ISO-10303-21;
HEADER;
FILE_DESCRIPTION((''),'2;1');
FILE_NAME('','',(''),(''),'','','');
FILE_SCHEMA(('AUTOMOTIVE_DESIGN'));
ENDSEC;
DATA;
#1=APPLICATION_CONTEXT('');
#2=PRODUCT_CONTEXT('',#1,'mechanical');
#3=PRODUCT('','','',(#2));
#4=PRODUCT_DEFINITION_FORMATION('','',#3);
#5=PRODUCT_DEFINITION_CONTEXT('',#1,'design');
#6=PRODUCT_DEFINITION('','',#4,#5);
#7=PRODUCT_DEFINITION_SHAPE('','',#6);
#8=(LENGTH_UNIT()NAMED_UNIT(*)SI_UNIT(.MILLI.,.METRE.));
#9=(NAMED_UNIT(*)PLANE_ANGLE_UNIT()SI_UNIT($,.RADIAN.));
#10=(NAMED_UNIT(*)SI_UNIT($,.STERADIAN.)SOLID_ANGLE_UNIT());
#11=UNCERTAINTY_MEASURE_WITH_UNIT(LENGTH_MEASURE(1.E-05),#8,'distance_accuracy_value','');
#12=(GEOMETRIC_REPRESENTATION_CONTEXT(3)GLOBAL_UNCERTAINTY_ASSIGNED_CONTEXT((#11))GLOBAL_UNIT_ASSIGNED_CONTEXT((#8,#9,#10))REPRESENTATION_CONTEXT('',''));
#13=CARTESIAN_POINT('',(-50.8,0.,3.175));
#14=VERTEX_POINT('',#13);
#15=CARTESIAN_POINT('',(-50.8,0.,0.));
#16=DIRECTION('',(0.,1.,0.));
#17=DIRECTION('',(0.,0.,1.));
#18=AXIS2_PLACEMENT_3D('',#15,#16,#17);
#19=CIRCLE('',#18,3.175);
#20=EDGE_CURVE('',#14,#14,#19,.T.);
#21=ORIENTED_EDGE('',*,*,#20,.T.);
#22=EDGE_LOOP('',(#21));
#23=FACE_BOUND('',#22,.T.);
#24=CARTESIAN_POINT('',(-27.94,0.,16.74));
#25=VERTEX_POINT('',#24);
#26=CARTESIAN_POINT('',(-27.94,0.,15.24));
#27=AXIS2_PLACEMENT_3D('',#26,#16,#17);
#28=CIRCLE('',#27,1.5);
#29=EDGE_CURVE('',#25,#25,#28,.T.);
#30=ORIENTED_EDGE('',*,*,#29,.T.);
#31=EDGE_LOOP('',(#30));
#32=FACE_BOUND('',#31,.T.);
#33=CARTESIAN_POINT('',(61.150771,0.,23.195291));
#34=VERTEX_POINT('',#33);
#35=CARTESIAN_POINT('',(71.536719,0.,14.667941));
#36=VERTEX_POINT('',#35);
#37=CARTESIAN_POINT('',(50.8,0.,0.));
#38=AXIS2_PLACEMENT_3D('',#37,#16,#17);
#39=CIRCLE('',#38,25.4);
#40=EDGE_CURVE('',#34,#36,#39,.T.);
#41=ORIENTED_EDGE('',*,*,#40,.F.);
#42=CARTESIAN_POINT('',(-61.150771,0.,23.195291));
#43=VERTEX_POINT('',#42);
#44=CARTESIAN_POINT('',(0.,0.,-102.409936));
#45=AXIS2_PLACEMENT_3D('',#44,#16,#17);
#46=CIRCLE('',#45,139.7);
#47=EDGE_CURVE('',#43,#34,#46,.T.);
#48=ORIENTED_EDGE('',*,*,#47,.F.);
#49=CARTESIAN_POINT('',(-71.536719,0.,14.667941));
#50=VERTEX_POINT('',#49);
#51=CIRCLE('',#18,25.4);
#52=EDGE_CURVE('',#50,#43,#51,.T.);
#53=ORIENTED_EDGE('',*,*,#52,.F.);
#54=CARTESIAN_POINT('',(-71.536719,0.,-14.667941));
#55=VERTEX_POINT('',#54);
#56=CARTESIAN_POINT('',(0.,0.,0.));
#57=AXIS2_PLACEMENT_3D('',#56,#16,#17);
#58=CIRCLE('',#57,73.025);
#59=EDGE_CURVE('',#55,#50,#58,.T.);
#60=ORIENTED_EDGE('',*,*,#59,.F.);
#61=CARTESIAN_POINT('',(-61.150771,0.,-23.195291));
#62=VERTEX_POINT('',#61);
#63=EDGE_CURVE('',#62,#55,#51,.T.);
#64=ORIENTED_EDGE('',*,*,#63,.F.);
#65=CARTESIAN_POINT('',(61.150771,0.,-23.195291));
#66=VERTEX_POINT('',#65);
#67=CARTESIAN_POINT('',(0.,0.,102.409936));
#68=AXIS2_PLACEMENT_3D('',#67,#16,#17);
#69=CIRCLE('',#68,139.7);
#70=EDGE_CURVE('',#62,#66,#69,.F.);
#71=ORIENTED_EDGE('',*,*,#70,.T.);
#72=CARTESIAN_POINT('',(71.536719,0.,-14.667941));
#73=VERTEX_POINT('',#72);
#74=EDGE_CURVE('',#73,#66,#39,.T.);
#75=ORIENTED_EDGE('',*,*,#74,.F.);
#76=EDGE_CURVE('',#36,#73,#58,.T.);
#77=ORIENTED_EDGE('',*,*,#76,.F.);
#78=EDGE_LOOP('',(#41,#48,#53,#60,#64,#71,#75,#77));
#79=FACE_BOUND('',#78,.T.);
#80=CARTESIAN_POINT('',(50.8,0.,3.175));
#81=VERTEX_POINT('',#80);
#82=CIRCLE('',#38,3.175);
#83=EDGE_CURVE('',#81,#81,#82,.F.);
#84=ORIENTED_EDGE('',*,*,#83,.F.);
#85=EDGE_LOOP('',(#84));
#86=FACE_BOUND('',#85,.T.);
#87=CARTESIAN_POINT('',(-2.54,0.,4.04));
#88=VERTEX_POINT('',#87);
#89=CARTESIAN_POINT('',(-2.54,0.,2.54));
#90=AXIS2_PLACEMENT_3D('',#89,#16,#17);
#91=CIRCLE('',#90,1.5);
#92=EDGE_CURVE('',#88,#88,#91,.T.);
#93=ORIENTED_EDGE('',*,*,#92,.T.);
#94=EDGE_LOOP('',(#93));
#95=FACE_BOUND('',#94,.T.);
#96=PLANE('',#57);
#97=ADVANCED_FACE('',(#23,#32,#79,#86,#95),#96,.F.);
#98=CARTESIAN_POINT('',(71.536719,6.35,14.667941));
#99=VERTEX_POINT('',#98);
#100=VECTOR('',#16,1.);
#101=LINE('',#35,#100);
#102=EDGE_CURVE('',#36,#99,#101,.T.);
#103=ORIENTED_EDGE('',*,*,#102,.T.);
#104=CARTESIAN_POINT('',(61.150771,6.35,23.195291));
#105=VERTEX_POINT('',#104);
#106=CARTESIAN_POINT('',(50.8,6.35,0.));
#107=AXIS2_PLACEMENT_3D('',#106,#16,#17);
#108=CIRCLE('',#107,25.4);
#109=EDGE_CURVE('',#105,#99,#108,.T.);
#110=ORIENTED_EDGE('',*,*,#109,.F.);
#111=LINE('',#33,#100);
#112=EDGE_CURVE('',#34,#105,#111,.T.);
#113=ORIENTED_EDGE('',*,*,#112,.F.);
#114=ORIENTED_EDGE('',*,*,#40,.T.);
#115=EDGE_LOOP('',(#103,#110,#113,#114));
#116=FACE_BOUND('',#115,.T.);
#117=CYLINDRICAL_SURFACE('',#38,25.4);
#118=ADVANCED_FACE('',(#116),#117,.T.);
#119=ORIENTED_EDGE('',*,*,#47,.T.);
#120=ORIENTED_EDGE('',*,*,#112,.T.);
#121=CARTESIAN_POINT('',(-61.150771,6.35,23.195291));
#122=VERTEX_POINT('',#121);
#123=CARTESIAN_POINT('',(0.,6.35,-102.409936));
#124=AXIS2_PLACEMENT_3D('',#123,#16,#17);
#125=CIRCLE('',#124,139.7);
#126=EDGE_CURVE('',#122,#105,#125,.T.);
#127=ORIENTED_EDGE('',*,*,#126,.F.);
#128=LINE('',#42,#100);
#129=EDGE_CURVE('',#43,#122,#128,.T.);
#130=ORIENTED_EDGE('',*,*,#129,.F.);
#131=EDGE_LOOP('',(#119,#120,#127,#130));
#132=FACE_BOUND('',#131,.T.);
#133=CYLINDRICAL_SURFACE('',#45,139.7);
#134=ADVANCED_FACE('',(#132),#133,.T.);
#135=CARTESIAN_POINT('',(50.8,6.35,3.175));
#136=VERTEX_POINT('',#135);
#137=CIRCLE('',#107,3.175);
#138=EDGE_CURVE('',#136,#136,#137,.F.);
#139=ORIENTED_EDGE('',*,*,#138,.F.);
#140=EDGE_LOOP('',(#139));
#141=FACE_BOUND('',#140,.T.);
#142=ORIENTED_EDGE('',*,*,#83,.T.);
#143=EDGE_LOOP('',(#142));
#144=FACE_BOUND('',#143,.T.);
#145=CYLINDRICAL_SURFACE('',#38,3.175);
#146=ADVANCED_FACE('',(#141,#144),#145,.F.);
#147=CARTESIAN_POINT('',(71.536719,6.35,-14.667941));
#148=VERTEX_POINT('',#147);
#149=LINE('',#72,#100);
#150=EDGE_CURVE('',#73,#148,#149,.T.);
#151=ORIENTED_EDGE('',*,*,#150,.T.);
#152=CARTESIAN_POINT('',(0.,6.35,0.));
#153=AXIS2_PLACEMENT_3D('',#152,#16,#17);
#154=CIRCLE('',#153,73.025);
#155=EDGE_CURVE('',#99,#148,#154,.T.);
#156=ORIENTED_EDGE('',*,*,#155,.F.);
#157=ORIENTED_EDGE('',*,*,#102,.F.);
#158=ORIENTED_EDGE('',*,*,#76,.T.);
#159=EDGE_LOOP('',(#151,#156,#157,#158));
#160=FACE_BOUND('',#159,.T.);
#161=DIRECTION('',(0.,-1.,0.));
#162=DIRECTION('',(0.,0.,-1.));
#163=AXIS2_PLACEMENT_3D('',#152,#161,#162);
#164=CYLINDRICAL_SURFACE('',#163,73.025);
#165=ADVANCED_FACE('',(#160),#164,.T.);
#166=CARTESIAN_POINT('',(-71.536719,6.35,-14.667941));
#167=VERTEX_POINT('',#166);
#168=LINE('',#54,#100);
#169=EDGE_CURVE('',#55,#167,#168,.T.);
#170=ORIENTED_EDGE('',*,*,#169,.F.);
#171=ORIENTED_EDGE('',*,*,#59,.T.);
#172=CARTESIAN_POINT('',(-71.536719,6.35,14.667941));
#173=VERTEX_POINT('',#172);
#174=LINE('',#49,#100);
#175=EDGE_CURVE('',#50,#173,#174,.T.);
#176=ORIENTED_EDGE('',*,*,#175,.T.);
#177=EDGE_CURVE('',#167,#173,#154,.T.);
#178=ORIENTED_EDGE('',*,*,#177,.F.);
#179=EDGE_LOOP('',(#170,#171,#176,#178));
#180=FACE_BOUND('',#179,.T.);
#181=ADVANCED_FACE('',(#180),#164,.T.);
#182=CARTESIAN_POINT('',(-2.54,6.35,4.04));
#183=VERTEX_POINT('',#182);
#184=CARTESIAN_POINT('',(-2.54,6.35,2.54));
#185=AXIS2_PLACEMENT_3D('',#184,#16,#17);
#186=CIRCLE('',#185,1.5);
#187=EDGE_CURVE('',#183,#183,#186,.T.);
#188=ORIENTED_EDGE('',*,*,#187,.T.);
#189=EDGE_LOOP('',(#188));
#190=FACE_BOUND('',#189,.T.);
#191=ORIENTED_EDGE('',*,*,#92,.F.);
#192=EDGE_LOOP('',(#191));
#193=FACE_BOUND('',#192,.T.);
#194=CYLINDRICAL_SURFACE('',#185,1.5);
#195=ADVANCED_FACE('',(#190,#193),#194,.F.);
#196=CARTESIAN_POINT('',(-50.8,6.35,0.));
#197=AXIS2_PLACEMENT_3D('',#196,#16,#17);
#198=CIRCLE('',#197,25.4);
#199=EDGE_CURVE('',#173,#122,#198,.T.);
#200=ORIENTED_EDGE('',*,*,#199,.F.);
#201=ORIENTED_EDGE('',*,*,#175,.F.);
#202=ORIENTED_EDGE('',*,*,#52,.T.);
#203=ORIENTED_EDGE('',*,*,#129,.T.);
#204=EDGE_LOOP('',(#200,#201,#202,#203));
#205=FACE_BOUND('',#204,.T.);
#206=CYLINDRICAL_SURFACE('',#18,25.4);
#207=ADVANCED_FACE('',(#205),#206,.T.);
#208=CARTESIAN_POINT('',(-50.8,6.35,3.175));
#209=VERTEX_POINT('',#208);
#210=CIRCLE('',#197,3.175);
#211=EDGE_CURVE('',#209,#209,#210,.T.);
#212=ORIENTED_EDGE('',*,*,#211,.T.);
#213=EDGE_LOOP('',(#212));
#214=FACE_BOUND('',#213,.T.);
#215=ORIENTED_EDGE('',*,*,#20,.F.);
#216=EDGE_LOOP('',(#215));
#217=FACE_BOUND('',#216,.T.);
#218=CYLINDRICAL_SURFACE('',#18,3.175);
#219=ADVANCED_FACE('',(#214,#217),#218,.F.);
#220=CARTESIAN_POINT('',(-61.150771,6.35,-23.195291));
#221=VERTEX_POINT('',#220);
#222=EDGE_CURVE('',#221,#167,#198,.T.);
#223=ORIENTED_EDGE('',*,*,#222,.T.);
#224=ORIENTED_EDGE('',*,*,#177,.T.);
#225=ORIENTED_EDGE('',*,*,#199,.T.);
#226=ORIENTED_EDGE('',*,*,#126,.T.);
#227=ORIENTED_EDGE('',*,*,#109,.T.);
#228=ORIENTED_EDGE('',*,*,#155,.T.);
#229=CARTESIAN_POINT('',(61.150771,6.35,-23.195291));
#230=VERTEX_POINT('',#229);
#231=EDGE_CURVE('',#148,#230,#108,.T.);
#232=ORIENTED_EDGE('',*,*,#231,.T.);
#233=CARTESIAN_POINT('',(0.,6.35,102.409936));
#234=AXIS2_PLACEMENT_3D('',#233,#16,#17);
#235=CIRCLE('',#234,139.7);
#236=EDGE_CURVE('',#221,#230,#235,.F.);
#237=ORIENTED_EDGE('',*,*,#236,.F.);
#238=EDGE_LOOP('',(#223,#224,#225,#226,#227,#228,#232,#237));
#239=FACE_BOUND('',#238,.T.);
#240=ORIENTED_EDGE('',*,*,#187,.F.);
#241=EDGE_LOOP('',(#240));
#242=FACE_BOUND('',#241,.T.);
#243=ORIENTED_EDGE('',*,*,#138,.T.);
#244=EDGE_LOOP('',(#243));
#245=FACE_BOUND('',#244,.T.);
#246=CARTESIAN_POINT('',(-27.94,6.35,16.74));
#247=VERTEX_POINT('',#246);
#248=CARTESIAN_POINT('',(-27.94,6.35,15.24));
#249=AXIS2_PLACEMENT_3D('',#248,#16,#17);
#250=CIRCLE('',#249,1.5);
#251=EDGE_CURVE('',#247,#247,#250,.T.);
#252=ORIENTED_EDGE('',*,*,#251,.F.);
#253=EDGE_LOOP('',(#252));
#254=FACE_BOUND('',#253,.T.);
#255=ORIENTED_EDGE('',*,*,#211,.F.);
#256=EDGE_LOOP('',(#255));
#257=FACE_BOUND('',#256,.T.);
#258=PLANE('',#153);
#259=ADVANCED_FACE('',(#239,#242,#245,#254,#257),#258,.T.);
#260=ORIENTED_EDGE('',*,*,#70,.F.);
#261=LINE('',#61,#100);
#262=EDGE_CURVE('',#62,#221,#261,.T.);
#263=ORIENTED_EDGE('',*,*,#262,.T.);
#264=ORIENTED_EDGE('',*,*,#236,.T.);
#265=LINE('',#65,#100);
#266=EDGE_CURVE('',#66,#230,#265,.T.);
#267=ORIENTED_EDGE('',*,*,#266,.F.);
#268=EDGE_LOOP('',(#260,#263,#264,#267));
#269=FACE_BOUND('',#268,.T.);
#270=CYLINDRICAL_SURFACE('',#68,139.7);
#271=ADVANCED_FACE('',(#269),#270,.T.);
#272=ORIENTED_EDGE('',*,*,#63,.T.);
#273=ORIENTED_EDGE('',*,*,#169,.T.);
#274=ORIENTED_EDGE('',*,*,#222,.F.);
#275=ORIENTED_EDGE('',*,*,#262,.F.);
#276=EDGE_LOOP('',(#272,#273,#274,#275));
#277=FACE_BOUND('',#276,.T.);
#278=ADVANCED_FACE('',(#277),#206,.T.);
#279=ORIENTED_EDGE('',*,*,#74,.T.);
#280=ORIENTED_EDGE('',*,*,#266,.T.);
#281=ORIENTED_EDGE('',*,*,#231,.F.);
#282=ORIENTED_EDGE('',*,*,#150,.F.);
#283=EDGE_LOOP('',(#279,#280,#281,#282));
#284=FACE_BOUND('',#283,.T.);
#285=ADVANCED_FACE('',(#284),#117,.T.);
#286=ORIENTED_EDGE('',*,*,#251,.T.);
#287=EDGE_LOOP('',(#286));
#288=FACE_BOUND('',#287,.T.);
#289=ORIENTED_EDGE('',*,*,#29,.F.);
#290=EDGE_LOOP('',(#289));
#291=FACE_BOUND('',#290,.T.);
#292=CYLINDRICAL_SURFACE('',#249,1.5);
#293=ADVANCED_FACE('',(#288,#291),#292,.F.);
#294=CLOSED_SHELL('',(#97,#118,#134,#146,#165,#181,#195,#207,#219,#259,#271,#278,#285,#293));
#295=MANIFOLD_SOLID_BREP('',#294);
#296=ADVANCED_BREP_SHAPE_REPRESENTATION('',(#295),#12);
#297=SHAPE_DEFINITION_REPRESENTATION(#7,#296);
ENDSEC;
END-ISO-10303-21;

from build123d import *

# Parameters (mm, degrees)
SKETCH1_R             = 73.025
BOSS_EXTRUDE1_DEPTH   = 6.35
CUT_EXTRUDE2_START    = -6.35
SKETCH2_R             = 3.175
CUT_EXTRUDE2_DEPTH    = 6.35
F_3_0MM_DOWEL_HOLE1_D = 3


with BuildPart() as part:
    # Sketch1 → Boss-Extrude1 (new body)
    with BuildSketch(Plane(origin=(0, 0, 0), x_dir=(1, 0, 0), z_dir=(0, 1, 0))):
        with Locations(Location((0, 0, 0), (0, 0, 270))):
            Circle(SKETCH1_R)
    extrude(amount=BOSS_EXTRUDE1_DEPTH)

    # Sketch2 → Cut-Extrude2 (cut)
    with BuildSketch(Plane(origin=(0, 6.35, 0), x_dir=(1, 0, 0), z_dir=(0, 1, 0)).offset(CUT_EXTRUDE2_START)):
        with BuildLine():
            ThreePointArc((61.150770614, -23.195291499), (0, -37.290063688), (-61.150770614, -23.195291499))
            ThreePointArc((-61.150770614, -23.195291499), (-66.917906968, -19.630921399), (-71.53671875, -14.667941079))
            ThreePointArc((-71.53671875, -14.667941079), (0, -73.025), (71.53671875, -14.667941079))
            ThreePointArc((71.53671875, -14.667941079), (66.917906968, -19.630921399), (61.150770614, -23.195291499))
        make_face()
        with BuildLine():
            ThreePointArc((-61.150770614, 23.195291499), (0, 37.290063688), (61.150770614, 23.195291499))
            ThreePointArc((61.150770614, 23.195291499), (66.917906968, 19.630921399), (71.53671875, 14.667941079))
            ThreePointArc((71.53671875, 14.667941079), (0, 73.025), (-71.53671875, 14.667941079))
            ThreePointArc((-71.53671875, 14.667941079), (-66.917906968, 19.630921399), (-61.150770614, 23.195291499))
        make_face()
        with Locations(Location((-50.8, 0, 0), (0, 0, 270))):
            Circle(SKETCH2_R)
        with Locations(Location((50.8, 0, 0), (0, 0, 270))):
            Circle(SKETCH2_R)
    extrude(amount=CUT_EXTRUDE2_DEPTH, mode=Mode.SUBTRACT)

    # Ø3.0mm Dowel Hole1 (through all)
    with Locations(Plane(origin=(0, 6.35, 0), x_dir=(1, 0, 0), z_dir=(0, 1, 0))):
        with Locations((-27.94, -15.24), (-2.54, -2.54)):
            Hole(F_3_0MM_DOWEL_HOLE1_D / 2)


solid = part.part
